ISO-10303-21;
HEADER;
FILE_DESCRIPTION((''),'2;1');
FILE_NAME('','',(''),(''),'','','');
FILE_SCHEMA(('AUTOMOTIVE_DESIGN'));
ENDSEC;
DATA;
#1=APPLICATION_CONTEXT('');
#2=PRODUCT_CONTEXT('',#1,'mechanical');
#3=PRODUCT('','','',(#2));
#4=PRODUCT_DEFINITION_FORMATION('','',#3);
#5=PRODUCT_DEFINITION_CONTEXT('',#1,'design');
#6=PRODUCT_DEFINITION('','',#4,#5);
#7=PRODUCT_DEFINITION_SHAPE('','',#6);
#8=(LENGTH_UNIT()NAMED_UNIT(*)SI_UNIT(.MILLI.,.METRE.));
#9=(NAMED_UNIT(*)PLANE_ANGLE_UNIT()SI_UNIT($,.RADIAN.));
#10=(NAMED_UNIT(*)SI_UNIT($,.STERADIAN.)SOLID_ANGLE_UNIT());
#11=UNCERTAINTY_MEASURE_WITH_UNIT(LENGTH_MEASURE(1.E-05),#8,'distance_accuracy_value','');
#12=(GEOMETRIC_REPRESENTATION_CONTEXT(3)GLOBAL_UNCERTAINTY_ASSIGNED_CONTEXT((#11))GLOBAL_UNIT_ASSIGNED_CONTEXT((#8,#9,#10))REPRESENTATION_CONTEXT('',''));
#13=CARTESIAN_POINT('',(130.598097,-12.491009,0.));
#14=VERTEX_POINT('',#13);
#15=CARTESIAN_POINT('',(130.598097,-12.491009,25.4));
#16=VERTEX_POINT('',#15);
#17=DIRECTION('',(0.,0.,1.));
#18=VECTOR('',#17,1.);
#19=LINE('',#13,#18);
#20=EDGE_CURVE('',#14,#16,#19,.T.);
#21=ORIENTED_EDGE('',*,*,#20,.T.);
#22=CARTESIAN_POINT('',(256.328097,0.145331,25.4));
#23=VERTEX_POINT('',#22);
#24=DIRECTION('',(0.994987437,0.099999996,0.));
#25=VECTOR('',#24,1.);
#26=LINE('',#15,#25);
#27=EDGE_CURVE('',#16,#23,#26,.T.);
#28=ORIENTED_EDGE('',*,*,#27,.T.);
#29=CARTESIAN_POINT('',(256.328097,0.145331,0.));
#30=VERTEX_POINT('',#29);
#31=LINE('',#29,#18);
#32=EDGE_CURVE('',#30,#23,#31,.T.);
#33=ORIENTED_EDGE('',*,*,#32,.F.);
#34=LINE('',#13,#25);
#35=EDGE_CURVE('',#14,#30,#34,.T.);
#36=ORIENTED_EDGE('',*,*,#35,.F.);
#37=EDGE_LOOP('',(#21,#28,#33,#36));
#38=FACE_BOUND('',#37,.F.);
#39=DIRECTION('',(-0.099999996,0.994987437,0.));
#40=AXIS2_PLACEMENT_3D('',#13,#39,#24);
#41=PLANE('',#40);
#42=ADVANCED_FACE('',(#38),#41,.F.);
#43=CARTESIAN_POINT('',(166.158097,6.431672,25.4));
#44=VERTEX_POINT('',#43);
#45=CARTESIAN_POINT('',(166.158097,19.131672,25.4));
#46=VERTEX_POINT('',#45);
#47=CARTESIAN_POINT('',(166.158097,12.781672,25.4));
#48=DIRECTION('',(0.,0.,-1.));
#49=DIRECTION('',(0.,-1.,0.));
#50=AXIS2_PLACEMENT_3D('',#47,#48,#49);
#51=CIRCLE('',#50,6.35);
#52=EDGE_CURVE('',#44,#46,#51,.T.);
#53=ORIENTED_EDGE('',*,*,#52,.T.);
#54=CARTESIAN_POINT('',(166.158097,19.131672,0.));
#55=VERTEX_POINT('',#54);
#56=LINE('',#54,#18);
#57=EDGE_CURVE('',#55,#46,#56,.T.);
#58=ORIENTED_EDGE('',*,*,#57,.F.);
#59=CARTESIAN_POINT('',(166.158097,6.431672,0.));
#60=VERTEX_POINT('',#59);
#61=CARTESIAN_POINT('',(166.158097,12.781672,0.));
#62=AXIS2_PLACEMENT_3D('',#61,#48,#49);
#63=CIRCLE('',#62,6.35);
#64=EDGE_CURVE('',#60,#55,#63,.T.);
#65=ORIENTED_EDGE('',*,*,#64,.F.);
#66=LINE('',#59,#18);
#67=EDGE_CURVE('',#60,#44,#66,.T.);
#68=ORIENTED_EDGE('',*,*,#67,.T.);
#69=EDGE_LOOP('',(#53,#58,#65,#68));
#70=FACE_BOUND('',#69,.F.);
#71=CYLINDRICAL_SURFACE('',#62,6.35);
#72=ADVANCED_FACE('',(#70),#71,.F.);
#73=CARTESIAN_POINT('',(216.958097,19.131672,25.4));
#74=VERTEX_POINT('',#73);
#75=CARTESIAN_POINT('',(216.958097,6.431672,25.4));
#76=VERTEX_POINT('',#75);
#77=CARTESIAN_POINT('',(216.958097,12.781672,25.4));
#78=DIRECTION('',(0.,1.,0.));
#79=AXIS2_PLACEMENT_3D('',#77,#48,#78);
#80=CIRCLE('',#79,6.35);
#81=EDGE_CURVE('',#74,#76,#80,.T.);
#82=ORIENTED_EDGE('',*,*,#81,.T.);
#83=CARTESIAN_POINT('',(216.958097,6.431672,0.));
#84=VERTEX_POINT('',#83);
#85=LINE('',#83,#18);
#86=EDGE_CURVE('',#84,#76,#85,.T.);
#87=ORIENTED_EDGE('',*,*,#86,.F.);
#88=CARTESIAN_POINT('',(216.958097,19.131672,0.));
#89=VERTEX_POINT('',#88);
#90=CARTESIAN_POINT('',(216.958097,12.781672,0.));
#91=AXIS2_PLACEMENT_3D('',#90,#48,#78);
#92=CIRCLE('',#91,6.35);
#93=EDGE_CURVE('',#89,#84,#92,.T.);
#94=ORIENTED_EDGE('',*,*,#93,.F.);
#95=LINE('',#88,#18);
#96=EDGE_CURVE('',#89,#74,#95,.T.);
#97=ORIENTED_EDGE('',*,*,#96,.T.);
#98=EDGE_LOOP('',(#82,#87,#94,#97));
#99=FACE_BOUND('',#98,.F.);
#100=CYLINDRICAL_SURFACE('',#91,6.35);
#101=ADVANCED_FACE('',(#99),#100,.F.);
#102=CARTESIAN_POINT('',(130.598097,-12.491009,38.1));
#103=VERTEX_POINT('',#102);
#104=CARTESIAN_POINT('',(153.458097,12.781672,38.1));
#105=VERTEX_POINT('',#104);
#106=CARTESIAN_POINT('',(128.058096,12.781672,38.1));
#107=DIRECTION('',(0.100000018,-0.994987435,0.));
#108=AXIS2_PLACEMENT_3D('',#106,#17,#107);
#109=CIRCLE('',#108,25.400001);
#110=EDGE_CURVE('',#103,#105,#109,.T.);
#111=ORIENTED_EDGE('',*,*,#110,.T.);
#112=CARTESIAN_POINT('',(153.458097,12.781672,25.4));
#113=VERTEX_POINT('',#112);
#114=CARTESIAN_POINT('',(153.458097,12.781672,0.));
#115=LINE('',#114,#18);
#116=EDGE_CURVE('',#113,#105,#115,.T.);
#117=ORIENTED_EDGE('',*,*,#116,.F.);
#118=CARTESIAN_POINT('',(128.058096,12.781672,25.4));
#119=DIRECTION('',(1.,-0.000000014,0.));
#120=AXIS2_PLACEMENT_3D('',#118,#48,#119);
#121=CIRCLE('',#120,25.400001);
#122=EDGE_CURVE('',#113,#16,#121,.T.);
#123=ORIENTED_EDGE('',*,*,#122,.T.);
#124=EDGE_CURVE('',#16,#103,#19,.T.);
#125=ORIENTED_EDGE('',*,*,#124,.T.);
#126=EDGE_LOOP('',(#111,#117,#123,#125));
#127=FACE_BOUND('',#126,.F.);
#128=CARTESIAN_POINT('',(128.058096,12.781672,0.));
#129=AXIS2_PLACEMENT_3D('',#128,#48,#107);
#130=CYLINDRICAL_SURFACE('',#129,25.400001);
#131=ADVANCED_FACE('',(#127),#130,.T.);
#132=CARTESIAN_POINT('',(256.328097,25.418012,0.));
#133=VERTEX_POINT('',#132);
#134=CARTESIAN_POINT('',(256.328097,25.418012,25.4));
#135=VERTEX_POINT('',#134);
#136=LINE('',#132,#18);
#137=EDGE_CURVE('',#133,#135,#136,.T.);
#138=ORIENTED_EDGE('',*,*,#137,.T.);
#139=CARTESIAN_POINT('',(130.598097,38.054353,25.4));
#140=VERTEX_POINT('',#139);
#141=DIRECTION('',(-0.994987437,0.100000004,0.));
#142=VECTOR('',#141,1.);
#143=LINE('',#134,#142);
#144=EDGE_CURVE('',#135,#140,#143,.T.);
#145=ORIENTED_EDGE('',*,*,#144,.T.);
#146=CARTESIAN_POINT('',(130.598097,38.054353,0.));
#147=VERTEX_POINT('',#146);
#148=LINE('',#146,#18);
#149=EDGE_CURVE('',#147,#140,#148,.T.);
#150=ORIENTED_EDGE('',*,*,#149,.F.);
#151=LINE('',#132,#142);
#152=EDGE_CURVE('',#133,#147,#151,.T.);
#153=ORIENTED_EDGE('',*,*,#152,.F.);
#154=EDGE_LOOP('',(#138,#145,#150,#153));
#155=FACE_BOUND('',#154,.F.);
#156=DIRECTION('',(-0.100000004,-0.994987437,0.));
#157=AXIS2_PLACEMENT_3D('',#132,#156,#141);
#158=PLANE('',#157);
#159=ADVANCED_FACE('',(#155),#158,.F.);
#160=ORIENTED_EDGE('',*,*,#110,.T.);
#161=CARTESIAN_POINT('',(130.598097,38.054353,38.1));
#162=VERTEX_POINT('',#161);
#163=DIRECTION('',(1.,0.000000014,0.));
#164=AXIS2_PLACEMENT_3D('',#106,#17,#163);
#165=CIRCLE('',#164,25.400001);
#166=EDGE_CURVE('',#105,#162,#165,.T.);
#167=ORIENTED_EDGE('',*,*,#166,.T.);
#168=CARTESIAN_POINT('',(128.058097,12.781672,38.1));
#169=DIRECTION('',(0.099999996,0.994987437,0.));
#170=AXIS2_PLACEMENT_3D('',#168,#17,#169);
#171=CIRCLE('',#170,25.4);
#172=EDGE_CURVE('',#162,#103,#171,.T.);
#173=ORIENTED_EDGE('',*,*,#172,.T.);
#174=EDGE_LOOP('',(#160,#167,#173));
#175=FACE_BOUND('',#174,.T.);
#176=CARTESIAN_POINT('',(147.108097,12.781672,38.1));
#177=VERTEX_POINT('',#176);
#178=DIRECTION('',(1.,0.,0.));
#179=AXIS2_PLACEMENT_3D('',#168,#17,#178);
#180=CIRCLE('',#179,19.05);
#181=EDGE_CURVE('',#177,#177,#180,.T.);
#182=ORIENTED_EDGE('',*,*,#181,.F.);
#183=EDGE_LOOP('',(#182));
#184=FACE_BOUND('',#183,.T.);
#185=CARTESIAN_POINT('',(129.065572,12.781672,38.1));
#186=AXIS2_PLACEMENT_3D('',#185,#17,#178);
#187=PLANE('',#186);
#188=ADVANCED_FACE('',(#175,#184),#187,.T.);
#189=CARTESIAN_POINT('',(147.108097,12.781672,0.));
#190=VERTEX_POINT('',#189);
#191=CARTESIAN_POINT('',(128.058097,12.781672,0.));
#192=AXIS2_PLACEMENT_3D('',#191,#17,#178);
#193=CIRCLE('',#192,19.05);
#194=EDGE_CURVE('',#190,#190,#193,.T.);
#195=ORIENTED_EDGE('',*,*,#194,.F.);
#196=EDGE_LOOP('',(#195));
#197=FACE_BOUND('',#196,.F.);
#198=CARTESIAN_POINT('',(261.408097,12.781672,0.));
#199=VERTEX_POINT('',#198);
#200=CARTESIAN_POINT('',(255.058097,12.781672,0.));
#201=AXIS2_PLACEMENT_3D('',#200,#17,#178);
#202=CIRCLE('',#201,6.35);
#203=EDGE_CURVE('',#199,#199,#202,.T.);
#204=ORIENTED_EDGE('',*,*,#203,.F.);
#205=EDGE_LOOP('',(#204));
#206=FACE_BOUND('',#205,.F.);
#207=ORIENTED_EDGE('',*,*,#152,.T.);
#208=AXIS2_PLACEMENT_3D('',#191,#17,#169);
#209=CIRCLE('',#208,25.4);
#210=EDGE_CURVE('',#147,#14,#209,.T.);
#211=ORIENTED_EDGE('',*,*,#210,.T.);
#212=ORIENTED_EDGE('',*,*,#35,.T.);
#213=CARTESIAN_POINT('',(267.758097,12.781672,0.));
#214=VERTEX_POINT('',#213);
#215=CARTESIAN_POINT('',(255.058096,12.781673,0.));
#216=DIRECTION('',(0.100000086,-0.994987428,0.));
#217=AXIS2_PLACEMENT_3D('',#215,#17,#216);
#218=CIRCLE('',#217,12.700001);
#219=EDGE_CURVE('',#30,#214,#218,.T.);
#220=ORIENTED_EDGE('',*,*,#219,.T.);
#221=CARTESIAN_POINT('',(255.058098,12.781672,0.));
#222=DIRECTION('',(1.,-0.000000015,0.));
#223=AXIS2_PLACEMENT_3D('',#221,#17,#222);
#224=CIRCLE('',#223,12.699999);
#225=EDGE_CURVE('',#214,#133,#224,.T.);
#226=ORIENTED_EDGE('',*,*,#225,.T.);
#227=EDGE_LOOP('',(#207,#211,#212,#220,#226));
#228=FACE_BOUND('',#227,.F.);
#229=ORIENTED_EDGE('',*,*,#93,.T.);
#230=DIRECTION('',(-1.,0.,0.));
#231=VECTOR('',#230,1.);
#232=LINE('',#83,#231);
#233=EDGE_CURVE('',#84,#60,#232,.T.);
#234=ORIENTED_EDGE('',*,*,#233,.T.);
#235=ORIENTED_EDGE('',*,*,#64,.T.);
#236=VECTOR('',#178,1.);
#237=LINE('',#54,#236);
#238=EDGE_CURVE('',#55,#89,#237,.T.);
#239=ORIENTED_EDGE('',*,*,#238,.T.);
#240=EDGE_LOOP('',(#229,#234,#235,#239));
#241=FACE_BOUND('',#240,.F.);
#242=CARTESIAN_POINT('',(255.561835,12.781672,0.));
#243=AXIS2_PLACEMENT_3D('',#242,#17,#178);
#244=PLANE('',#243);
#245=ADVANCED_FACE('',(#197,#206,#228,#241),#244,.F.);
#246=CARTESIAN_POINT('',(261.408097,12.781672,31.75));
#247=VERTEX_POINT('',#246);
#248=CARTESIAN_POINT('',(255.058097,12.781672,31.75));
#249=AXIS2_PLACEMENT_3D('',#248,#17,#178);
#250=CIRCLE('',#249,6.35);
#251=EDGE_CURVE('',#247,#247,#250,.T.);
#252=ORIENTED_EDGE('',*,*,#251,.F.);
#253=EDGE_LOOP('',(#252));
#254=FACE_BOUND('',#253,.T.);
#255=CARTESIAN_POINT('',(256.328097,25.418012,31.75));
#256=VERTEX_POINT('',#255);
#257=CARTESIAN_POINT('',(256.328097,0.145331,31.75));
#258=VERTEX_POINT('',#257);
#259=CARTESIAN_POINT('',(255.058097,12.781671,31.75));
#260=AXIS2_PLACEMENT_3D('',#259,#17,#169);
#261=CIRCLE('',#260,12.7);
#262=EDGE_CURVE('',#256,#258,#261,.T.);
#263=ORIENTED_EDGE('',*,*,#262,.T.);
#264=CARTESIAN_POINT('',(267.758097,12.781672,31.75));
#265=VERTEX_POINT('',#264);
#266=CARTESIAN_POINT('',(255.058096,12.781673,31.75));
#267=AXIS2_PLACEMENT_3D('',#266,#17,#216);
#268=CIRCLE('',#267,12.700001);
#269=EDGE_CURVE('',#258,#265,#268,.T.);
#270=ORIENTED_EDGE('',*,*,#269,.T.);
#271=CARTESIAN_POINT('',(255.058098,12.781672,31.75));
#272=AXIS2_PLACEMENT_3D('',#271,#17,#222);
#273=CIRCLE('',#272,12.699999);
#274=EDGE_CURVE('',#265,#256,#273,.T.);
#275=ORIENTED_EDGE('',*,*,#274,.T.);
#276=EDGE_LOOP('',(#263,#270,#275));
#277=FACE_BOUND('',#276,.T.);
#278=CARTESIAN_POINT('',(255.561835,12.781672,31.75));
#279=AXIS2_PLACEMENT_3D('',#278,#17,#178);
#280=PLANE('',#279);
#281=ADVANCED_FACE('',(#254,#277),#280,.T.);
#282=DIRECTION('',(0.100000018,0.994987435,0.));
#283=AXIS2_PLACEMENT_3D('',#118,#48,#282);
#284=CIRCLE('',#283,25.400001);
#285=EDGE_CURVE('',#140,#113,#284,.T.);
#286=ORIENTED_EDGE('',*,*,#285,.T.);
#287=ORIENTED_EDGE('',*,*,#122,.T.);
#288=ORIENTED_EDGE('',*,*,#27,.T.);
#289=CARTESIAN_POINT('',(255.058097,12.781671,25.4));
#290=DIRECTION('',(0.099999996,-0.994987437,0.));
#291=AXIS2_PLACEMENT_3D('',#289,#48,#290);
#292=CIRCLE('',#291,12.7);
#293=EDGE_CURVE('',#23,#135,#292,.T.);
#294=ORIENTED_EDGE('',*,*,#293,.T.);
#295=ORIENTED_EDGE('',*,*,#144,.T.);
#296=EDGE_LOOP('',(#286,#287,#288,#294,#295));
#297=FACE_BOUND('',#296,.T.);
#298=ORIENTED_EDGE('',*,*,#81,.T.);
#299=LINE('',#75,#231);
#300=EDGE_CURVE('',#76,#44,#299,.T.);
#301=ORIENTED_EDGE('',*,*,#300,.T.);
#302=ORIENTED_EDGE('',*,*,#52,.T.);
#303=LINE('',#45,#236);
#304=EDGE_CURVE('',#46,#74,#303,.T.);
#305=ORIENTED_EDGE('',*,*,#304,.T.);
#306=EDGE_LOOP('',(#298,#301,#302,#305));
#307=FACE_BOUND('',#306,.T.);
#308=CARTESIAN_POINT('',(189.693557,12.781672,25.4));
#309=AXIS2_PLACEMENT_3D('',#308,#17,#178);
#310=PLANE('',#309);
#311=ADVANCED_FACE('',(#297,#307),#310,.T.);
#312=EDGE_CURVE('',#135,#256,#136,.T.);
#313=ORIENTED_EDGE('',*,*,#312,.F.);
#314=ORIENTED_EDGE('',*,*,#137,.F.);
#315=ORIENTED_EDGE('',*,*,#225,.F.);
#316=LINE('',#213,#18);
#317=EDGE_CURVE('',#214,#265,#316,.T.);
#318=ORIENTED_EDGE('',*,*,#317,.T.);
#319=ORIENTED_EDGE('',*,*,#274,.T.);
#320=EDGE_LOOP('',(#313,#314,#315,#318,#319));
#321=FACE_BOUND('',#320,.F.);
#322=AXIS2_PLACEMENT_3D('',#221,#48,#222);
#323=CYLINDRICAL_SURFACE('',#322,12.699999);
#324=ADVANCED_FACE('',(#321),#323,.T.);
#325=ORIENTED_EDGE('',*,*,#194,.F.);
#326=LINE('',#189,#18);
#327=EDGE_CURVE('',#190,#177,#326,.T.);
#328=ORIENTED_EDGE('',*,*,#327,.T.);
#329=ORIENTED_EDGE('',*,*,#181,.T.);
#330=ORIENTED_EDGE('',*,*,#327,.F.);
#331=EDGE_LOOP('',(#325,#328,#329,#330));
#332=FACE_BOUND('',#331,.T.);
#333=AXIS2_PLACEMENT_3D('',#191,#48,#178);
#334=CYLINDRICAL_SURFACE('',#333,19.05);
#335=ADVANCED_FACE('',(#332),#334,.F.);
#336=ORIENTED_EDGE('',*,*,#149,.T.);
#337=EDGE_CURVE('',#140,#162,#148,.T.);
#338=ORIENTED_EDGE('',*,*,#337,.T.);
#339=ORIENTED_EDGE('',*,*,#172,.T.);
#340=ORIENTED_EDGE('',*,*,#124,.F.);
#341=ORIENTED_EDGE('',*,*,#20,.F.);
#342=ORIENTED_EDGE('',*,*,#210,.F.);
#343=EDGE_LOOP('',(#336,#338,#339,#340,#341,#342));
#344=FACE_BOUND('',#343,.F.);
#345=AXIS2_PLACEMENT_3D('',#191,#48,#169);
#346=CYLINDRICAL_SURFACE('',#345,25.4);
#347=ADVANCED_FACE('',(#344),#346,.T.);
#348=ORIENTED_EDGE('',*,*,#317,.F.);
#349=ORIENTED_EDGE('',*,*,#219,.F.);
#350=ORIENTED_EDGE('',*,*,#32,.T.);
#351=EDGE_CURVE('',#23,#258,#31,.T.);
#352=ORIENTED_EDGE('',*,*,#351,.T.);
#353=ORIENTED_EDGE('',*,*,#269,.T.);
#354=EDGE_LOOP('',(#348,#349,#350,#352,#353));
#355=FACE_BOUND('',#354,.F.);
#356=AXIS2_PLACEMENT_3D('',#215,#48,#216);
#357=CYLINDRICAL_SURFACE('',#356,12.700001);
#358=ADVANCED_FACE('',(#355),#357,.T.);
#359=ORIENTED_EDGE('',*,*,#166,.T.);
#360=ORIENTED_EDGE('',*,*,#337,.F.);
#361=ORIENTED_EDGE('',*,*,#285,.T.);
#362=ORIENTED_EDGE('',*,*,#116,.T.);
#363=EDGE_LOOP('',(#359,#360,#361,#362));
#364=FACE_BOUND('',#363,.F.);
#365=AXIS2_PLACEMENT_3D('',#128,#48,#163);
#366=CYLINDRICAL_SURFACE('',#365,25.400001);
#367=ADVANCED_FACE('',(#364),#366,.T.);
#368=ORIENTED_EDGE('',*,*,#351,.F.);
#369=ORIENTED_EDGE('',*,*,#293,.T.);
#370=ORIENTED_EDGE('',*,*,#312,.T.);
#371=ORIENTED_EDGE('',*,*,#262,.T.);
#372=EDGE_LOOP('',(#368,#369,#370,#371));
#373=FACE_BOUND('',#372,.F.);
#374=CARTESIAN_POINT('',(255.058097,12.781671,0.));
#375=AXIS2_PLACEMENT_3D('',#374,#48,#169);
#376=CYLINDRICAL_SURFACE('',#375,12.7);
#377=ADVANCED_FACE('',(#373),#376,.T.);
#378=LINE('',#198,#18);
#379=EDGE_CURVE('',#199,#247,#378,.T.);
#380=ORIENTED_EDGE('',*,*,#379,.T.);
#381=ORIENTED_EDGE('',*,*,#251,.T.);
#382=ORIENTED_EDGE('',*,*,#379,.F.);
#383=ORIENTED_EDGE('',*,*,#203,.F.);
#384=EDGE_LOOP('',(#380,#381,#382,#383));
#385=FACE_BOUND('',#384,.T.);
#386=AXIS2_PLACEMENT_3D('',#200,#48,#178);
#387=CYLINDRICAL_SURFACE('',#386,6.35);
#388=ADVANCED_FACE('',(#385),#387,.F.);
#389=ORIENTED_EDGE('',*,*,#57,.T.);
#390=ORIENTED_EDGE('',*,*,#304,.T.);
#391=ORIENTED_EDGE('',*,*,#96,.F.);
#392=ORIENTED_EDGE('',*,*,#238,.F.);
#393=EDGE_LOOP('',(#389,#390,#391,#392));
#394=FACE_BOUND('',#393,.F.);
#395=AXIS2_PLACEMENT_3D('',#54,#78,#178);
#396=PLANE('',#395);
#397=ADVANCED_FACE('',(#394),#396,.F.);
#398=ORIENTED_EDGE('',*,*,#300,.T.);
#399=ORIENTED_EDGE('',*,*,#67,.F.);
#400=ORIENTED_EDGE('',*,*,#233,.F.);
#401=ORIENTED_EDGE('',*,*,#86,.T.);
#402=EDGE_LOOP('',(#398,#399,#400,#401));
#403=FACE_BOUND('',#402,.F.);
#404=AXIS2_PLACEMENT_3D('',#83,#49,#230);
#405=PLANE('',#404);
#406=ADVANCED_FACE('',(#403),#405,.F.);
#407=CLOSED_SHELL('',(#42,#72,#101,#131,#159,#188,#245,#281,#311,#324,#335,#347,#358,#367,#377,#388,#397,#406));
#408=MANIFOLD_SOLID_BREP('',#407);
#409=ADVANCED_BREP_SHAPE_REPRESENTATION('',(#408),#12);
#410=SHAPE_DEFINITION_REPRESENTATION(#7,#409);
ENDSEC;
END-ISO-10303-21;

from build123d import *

# Parameters (mm, degrees)
F1_DEPTH = 25.4
F0_R     = 19.05
F2_DEPTH = 38.1
F0_R_2   = 6.35
F3_DEPTH = 31.75


with BuildPart() as f1:
    # F0 (on Top) → F1 (new body)
    with BuildSketch(Plane.XY):
        with BuildLine():
            ThreePointArc((256.328097, 0.145331), (242.358097, 12.781672), (256.328097, 25.418012))
            Line((256.328097, 25.418012), (130.598097, 38.054353))
            ThreePointArc((130.598097, 38.054353), (146.895241, 29.82051), (153.458097, 12.781672))
            ThreePointArc((153.458097, 12.781672), (146.895241, -4.257166), (130.598097, -12.491009))
            Line((130.598097, -12.491009), (256.328097, 0.145331))
        make_face()
        with BuildLine():
            ThreePointArc((166.158097, 6.431672), (159.808097, 12.781672), (166.158097, 19.131672))
            Line((166.158097, 19.131672), (216.958097, 19.131672))
            ThreePointArc((216.958097, 19.131672), (223.308097, 12.781672), (216.958097, 6.431672))
            Line((216.958097, 6.431672), (166.158097, 6.431672))
        make_face(mode=Mode.SUBTRACT)
    extrude(amount=F1_DEPTH)

    # F0 (on Top) → F2 (join)
    with BuildSketch(Plane.XY):
        with BuildLine():
            ThreePointArc((153.458097, 12.781672), (146.895241, 29.82051), (130.598097, 38.054353))
            ThreePointArc((130.598097, 38.054353), (102.658097, 12.781672), (130.598097, -12.491009))
            ThreePointArc((130.598097, -12.491009), (146.895241, -4.257166), (153.458097, 12.781672))
        make_face()
        with Locations((128.058097, 12.781672)):
            Circle(F0_R, mode=Mode.SUBTRACT)
    extrude(amount=F2_DEPTH)

    # F0 (on Top) → F3 (join)
    with BuildSketch(Plane.XY):
        with BuildLine():
            ThreePointArc((256.328097, 0.145331), (264.476669, 4.262253), (267.758097, 12.781672))
            ThreePointArc((267.758097, 12.781672), (264.476669, 21.301091), (256.328097, 25.418012))
            ThreePointArc((256.328097, 25.418012), (242.358097, 12.781672), (256.328097, 0.145331))
        make_face()
        with Locations((255.058097, 12.781672)):
            Circle(F0_R_2, mode=Mode.SUBTRACT)
    extrude(amount=F3_DEPTH)


solid = f1.part
